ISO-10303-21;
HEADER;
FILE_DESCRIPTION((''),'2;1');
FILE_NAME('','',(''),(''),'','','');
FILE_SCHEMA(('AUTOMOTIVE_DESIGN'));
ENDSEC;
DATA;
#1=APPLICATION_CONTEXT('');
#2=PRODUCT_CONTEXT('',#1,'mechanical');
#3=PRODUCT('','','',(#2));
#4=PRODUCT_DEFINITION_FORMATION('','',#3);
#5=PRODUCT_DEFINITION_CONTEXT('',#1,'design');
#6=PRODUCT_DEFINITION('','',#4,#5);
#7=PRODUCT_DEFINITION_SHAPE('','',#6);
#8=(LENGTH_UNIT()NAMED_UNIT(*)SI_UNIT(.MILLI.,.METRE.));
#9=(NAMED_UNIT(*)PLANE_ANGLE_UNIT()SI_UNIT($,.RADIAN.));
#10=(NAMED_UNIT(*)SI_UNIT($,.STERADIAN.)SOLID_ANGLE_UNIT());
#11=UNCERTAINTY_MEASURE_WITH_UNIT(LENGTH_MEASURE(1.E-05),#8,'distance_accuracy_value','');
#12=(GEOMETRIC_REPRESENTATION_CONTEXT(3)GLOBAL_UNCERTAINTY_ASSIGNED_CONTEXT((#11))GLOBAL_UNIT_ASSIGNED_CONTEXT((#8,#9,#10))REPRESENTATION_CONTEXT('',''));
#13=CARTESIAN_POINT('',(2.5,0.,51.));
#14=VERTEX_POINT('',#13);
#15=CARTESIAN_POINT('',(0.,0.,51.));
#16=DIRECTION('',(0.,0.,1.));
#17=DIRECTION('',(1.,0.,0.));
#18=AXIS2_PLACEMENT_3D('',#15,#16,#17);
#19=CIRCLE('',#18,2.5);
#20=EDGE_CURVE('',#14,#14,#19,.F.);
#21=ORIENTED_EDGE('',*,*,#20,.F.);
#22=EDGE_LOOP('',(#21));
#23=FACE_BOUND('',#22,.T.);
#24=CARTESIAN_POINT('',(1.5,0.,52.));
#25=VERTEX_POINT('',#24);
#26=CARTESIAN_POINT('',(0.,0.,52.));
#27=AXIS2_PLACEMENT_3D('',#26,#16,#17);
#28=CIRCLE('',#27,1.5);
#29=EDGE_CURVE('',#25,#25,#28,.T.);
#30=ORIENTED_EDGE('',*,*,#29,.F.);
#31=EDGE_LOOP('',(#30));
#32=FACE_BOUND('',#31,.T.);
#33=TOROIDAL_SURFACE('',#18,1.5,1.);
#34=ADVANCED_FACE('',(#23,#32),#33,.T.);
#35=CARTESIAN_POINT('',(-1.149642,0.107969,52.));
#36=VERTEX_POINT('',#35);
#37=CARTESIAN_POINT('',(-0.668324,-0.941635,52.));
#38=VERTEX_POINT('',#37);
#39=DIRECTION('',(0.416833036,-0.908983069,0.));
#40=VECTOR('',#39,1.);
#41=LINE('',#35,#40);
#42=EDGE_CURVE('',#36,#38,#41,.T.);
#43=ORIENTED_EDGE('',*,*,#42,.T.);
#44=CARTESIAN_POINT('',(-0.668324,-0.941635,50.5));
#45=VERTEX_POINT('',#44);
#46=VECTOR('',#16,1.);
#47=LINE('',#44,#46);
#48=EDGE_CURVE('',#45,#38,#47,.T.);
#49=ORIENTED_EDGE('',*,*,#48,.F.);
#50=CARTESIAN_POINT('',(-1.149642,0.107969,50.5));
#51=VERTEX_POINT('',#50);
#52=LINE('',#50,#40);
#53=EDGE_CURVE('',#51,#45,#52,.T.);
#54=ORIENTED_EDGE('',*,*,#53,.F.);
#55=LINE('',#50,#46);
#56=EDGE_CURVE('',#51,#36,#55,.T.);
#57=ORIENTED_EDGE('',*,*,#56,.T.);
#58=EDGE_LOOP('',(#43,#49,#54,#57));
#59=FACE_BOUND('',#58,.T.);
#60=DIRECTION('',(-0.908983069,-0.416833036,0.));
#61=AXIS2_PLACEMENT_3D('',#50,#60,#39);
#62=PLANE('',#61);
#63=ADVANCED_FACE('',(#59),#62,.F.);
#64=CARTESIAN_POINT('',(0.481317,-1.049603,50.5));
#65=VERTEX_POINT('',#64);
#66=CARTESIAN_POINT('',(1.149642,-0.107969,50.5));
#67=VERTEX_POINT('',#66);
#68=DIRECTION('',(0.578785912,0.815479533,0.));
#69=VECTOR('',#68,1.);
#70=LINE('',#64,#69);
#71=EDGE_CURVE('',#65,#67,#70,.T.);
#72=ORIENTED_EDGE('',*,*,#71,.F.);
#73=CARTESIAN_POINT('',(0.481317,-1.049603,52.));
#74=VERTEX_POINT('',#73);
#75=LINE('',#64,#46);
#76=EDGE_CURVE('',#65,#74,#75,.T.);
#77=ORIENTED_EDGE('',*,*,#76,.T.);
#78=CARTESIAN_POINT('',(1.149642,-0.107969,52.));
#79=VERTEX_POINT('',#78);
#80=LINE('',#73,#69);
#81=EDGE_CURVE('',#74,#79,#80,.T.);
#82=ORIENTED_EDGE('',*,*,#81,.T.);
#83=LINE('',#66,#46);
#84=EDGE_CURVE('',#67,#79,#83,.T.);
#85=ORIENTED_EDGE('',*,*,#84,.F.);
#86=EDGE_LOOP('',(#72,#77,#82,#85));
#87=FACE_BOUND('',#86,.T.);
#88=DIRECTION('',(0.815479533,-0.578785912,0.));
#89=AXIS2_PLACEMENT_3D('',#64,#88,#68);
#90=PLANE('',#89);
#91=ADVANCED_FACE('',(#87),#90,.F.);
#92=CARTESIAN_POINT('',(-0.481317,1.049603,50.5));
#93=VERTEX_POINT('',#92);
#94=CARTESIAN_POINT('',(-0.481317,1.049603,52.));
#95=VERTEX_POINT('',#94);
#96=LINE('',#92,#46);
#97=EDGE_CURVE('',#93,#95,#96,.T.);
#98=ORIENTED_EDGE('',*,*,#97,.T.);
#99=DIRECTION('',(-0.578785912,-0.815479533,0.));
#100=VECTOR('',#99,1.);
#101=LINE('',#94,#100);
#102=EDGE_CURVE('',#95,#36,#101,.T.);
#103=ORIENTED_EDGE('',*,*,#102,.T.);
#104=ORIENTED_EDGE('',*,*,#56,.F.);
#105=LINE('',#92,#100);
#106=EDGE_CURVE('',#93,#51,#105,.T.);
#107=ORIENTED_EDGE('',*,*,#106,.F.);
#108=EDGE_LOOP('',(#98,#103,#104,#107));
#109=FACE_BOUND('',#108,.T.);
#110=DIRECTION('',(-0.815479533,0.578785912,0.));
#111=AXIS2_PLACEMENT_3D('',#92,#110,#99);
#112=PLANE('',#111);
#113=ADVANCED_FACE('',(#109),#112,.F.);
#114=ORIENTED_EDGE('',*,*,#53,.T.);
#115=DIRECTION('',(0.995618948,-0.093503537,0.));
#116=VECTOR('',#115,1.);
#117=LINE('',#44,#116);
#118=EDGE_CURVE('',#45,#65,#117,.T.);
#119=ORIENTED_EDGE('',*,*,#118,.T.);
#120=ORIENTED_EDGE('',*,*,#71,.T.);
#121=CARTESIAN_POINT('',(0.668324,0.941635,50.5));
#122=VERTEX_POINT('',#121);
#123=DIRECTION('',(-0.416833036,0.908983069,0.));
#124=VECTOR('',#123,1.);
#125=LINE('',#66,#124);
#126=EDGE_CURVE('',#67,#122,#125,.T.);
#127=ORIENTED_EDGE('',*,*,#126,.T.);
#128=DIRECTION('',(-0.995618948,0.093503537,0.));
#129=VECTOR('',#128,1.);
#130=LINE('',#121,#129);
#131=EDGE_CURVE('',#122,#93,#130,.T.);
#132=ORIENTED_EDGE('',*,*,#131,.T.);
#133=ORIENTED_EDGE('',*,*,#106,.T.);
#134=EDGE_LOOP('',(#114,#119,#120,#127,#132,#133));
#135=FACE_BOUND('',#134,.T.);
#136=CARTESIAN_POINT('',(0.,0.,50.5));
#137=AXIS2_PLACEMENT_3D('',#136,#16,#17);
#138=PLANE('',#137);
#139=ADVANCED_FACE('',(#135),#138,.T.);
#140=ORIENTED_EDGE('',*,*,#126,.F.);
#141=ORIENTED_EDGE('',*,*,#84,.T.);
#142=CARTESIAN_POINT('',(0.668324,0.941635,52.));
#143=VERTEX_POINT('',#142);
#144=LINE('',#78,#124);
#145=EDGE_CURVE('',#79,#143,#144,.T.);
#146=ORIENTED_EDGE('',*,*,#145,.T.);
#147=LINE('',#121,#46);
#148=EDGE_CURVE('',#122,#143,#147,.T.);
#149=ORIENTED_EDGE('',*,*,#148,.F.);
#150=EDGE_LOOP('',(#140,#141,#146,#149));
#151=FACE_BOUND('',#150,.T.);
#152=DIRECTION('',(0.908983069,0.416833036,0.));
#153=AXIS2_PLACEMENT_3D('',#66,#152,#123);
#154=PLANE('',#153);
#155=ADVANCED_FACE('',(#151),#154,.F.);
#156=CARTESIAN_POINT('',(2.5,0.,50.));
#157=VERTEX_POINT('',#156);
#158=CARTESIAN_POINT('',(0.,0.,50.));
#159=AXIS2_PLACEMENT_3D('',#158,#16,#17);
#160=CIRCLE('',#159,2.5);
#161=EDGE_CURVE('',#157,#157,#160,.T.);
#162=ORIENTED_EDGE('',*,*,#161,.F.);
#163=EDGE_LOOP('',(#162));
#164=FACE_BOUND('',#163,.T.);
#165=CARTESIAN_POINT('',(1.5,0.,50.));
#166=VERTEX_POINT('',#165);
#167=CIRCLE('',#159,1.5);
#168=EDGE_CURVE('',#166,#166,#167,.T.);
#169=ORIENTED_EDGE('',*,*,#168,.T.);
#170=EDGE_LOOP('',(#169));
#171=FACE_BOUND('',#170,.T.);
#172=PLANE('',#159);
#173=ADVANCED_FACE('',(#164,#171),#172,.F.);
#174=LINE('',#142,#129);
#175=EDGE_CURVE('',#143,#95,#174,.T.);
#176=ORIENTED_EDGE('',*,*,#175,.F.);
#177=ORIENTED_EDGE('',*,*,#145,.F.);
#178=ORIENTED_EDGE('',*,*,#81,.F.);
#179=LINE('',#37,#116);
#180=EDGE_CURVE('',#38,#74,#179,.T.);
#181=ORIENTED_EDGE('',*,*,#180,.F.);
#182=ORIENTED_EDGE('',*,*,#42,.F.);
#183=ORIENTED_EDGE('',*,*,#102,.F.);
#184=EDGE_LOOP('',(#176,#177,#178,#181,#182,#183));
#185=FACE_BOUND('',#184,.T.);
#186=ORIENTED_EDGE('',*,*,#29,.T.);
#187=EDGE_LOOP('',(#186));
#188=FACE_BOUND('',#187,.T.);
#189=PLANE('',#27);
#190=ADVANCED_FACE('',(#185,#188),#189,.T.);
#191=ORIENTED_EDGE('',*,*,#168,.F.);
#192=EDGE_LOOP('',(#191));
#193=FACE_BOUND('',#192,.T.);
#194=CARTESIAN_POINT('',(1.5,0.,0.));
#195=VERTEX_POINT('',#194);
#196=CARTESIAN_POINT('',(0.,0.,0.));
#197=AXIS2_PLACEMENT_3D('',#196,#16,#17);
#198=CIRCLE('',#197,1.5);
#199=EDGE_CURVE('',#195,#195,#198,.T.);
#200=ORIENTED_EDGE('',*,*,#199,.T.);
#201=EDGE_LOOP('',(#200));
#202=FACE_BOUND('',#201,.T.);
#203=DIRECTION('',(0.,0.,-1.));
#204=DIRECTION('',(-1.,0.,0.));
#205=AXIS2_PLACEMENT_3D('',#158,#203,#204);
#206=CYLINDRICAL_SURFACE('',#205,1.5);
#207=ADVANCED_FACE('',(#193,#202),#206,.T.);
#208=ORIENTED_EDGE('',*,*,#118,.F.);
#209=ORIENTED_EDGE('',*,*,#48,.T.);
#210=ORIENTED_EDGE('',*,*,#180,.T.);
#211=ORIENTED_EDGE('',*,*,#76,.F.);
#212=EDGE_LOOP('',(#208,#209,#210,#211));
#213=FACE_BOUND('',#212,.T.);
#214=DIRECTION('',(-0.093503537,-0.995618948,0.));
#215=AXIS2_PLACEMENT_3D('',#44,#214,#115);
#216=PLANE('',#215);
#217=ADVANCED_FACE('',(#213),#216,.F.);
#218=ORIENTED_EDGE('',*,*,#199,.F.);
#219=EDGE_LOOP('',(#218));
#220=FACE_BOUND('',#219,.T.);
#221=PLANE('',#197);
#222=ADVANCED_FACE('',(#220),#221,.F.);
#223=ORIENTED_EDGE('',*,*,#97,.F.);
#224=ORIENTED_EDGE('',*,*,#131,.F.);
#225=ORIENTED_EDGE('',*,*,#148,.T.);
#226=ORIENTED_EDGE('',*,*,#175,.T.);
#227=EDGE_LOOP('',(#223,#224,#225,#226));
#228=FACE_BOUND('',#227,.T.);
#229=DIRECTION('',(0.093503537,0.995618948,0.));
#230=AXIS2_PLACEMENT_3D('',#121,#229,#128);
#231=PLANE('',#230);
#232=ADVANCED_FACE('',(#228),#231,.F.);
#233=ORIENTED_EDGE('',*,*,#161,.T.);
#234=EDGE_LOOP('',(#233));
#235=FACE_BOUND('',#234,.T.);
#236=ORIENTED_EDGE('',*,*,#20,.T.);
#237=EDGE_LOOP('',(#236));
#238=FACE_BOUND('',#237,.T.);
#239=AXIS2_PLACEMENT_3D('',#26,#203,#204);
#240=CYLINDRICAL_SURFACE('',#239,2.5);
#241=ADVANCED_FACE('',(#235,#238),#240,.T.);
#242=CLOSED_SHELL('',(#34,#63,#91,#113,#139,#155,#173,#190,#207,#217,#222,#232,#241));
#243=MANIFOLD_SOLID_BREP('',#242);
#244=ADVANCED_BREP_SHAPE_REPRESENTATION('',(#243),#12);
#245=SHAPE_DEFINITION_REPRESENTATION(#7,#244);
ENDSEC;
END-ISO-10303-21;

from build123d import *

# Parameters (mm, degrees)
SKETCH_1_R          = 1.5
EXTRUDE_1_DEPTH     = 50
SKETCH_2_R          = 2.5
EXTRUDE_2_DEPTH     = 2
CUT_EXTRUDE_1_DEPTH = 1.5
FILLET_2_R          = 1


with BuildPart() as part:
    # 草图1 → 凸台-拉伸1 (new body)
    with BuildSketch(Plane.XY):
        Circle(SKETCH_1_R)
    extrude(amount=EXTRUDE_1_DEPTH)

    # 草图2 → 凸台-拉伸2 (add)
    with BuildSketch(Plane.XY.offset(50)):
        Circle(SKETCH_2_R)
    extrude(amount=EXTRUDE_2_DEPTH)

    # 草图3 → 切除-拉伸1 (cut)
    with BuildSketch(Plane.XY.offset(52)):
        Polygon((1.149641735, -0.107968584), (0.668324404, 0.941634655), (-0.481317331, 1.04960324), (-1.149641735, 0.107968584), (-0.668324404, -0.941634655), (0.481317331, -1.04960324), align=None)
    extrude(amount=-CUT_EXTRUDE_1_DEPTH, mode=Mode.SUBTRACT)

    # 圆角2
    fillet_2_edges = [part.edges().sort_by_distance(p)[0] for p in [
        (-2.5, 0, 52),
    ]]
    fillet(fillet_2_edges, radius=FILLET_2_R)


solid = part.part
